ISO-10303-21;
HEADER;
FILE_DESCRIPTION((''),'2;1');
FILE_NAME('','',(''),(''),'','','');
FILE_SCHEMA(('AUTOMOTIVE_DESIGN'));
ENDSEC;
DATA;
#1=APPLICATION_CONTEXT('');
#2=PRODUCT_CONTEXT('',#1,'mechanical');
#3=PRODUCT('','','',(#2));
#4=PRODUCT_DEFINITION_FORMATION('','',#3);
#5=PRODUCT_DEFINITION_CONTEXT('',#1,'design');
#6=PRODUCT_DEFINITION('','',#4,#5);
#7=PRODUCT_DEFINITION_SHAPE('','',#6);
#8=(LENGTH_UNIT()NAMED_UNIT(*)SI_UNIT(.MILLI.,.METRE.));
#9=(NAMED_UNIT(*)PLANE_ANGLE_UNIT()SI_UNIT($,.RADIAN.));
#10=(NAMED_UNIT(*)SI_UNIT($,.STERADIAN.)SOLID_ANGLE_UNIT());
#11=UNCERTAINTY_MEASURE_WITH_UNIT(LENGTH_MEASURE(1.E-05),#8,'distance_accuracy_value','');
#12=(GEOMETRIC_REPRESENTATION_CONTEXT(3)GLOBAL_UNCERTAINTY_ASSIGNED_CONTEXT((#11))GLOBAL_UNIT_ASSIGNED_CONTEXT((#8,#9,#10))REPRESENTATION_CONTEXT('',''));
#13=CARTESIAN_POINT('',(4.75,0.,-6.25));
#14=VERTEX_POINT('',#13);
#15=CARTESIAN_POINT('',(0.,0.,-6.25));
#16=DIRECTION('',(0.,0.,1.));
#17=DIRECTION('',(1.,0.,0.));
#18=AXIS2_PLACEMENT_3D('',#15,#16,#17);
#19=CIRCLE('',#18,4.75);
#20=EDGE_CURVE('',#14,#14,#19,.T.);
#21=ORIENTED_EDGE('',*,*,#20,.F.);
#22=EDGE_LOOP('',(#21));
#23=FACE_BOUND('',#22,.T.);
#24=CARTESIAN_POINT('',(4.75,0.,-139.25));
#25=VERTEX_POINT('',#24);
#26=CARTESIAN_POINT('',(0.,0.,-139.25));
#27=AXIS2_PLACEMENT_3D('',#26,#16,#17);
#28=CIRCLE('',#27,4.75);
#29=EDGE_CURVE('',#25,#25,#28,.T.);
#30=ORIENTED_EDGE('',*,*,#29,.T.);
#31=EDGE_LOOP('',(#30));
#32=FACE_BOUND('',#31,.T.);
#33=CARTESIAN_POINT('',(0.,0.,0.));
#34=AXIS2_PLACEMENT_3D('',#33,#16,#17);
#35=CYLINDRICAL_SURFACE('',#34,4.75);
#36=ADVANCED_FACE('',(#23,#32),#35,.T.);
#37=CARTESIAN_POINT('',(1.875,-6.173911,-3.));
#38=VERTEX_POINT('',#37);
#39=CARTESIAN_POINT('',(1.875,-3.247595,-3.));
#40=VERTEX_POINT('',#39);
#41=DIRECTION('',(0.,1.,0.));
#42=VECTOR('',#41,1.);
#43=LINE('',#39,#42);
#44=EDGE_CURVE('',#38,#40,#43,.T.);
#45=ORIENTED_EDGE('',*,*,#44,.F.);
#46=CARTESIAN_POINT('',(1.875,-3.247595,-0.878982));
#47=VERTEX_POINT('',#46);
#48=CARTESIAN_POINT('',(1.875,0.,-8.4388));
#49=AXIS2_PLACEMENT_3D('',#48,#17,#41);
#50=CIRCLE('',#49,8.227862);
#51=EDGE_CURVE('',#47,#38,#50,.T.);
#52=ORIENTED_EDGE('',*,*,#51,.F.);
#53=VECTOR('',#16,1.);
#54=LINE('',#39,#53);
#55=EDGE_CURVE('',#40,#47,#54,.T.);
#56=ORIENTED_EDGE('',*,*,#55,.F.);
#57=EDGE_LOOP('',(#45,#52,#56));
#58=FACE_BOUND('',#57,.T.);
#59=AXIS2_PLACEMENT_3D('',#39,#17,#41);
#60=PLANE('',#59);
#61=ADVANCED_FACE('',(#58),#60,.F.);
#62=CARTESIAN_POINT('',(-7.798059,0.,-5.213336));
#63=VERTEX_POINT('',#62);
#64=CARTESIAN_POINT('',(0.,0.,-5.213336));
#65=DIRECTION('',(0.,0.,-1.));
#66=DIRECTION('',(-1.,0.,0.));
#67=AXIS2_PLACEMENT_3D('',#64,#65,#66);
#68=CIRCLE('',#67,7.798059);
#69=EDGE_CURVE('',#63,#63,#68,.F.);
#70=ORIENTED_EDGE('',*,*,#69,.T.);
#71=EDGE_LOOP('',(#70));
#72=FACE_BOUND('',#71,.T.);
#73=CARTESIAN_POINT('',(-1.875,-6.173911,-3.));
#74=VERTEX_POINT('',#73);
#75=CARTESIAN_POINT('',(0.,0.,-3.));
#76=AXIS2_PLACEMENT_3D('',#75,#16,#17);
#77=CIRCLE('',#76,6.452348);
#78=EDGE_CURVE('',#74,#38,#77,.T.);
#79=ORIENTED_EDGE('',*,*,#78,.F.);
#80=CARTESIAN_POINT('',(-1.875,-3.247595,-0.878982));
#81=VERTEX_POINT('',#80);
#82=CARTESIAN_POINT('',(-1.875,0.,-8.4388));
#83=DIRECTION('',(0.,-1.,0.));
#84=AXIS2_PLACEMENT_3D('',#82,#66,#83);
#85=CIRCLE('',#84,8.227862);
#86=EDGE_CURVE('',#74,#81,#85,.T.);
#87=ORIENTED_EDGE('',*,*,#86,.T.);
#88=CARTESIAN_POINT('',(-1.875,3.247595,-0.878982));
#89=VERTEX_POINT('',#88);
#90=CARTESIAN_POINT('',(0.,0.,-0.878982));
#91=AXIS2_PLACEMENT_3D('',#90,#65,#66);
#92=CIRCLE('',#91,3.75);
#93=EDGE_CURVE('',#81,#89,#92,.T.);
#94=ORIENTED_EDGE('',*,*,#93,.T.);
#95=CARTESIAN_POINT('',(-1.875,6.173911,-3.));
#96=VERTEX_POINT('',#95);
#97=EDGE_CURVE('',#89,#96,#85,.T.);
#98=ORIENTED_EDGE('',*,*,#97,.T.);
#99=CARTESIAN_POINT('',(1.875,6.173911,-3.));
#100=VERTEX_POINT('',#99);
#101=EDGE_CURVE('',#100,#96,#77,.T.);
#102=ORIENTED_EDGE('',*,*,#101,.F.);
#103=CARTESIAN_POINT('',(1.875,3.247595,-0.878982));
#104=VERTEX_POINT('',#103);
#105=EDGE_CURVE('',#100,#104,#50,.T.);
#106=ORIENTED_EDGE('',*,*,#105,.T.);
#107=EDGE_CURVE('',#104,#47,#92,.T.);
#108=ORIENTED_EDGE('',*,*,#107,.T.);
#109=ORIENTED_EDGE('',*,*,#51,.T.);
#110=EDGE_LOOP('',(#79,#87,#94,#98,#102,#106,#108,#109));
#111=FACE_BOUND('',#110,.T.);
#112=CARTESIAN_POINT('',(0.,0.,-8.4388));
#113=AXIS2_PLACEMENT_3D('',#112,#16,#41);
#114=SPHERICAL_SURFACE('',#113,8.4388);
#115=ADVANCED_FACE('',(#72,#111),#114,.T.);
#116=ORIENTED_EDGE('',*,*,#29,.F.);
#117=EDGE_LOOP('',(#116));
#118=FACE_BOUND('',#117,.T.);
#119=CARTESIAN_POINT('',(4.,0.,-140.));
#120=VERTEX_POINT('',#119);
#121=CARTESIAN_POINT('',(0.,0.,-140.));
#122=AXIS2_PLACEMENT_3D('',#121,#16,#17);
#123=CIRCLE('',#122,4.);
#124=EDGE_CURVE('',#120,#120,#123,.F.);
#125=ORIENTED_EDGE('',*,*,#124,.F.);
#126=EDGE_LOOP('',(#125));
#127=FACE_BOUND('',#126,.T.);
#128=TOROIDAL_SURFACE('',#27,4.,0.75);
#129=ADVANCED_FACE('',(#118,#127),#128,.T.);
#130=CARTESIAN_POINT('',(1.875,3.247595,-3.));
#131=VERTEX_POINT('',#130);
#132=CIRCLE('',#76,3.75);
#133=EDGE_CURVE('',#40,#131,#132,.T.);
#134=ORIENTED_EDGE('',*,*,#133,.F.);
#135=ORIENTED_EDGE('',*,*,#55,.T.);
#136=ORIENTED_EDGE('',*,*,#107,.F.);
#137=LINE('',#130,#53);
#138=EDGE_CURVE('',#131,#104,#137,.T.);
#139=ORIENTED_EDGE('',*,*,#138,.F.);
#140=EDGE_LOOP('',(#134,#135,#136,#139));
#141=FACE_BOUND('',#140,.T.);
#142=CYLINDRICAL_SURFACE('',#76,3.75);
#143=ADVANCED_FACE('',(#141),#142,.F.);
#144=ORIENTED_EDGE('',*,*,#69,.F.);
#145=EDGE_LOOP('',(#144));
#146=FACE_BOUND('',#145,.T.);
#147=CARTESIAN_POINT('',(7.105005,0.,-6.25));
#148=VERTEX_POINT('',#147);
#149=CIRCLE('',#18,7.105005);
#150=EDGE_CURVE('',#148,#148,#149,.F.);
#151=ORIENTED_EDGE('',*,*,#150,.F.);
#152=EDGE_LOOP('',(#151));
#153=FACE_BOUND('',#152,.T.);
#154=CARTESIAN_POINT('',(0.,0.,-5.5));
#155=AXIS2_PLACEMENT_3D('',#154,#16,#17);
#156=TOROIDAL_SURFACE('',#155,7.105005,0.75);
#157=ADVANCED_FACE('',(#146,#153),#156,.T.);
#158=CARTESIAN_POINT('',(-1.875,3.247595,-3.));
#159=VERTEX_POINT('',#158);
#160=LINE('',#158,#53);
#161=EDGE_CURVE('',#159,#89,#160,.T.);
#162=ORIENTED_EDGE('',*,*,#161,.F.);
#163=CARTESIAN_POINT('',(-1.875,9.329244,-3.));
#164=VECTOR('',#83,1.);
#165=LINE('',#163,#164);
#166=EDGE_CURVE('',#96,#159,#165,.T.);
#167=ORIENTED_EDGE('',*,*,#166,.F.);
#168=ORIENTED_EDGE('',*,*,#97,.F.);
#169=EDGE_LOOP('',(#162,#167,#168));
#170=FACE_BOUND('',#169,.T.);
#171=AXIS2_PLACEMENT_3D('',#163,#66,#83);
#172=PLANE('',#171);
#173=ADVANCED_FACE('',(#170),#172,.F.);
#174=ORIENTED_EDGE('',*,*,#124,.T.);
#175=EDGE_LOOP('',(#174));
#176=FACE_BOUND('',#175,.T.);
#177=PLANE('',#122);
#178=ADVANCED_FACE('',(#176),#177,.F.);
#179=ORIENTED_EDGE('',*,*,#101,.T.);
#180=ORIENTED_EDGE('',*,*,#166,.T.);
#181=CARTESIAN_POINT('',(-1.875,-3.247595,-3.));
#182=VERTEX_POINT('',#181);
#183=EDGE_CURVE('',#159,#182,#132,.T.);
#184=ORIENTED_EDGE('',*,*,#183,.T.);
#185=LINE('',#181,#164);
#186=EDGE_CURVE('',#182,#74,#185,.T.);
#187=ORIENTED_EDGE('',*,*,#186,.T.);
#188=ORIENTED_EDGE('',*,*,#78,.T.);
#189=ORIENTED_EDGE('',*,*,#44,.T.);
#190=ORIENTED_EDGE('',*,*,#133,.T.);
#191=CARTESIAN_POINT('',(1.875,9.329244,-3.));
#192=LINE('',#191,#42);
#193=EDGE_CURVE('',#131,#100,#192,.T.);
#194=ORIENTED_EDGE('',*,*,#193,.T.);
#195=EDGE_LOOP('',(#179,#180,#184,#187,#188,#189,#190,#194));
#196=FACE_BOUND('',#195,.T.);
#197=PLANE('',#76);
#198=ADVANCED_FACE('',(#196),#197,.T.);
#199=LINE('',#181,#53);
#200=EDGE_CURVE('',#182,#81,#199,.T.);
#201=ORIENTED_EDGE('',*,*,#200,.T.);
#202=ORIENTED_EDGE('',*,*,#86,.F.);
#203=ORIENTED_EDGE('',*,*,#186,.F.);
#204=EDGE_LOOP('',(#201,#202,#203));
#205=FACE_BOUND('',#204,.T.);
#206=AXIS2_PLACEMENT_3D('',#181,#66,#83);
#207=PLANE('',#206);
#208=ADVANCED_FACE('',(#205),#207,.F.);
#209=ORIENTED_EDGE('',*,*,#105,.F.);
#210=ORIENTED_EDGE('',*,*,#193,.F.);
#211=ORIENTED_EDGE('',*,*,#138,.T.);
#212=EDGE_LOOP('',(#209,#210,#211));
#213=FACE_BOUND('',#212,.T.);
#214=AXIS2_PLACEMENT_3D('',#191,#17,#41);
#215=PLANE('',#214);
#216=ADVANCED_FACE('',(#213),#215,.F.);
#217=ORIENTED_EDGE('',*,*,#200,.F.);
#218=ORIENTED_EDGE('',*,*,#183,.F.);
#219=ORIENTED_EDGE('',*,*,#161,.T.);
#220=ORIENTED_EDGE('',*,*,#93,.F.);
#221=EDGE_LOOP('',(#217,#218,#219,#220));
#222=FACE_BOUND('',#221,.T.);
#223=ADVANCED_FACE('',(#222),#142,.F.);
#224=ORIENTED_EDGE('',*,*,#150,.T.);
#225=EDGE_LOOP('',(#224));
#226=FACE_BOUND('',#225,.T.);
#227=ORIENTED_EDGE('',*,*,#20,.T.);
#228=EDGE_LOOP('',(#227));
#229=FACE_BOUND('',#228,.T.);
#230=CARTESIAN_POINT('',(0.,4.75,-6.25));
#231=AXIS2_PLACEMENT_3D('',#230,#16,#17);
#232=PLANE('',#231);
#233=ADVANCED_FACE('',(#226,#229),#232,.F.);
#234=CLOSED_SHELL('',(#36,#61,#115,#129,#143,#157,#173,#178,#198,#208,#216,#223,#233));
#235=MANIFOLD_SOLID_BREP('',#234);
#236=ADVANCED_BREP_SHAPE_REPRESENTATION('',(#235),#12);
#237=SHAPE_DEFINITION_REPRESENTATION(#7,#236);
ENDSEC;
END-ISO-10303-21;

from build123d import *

# Parameters (mm, degrees)
FILLET1_R          = 0.75
CUT_EXTRUDE6_DEPTH = 3


with BuildPart() as part:
    # Sketch1 → Revolve1 (revolve)
    with BuildSketch(Plane(origin=(0, 0, 0), x_dir=(0, 0, -1), z_dir=(1, 0, 0))):
        with BuildLine():
            Line((0, 0), (140, 0))
            Line((140, 0), (140, 4.75))
            Line((140, 4.75), (6.25, 4.75))
            Line((6.25, 4.75), (6.25, 8.15))
            ThreePointArc((6.25, 8.15), (1.742375921, 5.135294539), (0, 0))
        make_face()
    revolve(axis=Axis((0, 0, 0), (0, 0, -1)))

    # Fillet1
    fillet1_edges = [part.edges().sort_by_distance(p)[0] for p in [
        (0, -8.15, -6.25),
        (0, -4.75, -140),
    ]]
    fillet(fillet1_edges, radius=FILLET1_R)

    # Sketch4 → Cut-Extrude6 (cut)
    with BuildSketch(Plane.XY):
        with BuildLine():
            Line((1.875, -3.247595264), (1.875, -9.329244328))
            Line((1.875, -9.329244328), (-1.875, -9.329244328))
            Line((-1.875, -9.329244328), (-1.875, -3.247595264))
            ThreePointArc((-1.875, -3.247595264), (-3.75, 0), (-1.875, 3.247595264))
            Line((-1.875, 3.247595264), (-1.875, 9.329244328))
            Line((-1.875, 9.329244328), (1.875, 9.329244328))
            Line((1.875, 9.329244328), (1.875, 3.247595264))
            ThreePointArc((1.875, 3.247595264), (3.75, 0), (1.875, -3.247595264))
        make_face()
    extrude(amount=-CUT_EXTRUDE6_DEPTH, mode=Mode.SUBTRACT)


solid = part.part
